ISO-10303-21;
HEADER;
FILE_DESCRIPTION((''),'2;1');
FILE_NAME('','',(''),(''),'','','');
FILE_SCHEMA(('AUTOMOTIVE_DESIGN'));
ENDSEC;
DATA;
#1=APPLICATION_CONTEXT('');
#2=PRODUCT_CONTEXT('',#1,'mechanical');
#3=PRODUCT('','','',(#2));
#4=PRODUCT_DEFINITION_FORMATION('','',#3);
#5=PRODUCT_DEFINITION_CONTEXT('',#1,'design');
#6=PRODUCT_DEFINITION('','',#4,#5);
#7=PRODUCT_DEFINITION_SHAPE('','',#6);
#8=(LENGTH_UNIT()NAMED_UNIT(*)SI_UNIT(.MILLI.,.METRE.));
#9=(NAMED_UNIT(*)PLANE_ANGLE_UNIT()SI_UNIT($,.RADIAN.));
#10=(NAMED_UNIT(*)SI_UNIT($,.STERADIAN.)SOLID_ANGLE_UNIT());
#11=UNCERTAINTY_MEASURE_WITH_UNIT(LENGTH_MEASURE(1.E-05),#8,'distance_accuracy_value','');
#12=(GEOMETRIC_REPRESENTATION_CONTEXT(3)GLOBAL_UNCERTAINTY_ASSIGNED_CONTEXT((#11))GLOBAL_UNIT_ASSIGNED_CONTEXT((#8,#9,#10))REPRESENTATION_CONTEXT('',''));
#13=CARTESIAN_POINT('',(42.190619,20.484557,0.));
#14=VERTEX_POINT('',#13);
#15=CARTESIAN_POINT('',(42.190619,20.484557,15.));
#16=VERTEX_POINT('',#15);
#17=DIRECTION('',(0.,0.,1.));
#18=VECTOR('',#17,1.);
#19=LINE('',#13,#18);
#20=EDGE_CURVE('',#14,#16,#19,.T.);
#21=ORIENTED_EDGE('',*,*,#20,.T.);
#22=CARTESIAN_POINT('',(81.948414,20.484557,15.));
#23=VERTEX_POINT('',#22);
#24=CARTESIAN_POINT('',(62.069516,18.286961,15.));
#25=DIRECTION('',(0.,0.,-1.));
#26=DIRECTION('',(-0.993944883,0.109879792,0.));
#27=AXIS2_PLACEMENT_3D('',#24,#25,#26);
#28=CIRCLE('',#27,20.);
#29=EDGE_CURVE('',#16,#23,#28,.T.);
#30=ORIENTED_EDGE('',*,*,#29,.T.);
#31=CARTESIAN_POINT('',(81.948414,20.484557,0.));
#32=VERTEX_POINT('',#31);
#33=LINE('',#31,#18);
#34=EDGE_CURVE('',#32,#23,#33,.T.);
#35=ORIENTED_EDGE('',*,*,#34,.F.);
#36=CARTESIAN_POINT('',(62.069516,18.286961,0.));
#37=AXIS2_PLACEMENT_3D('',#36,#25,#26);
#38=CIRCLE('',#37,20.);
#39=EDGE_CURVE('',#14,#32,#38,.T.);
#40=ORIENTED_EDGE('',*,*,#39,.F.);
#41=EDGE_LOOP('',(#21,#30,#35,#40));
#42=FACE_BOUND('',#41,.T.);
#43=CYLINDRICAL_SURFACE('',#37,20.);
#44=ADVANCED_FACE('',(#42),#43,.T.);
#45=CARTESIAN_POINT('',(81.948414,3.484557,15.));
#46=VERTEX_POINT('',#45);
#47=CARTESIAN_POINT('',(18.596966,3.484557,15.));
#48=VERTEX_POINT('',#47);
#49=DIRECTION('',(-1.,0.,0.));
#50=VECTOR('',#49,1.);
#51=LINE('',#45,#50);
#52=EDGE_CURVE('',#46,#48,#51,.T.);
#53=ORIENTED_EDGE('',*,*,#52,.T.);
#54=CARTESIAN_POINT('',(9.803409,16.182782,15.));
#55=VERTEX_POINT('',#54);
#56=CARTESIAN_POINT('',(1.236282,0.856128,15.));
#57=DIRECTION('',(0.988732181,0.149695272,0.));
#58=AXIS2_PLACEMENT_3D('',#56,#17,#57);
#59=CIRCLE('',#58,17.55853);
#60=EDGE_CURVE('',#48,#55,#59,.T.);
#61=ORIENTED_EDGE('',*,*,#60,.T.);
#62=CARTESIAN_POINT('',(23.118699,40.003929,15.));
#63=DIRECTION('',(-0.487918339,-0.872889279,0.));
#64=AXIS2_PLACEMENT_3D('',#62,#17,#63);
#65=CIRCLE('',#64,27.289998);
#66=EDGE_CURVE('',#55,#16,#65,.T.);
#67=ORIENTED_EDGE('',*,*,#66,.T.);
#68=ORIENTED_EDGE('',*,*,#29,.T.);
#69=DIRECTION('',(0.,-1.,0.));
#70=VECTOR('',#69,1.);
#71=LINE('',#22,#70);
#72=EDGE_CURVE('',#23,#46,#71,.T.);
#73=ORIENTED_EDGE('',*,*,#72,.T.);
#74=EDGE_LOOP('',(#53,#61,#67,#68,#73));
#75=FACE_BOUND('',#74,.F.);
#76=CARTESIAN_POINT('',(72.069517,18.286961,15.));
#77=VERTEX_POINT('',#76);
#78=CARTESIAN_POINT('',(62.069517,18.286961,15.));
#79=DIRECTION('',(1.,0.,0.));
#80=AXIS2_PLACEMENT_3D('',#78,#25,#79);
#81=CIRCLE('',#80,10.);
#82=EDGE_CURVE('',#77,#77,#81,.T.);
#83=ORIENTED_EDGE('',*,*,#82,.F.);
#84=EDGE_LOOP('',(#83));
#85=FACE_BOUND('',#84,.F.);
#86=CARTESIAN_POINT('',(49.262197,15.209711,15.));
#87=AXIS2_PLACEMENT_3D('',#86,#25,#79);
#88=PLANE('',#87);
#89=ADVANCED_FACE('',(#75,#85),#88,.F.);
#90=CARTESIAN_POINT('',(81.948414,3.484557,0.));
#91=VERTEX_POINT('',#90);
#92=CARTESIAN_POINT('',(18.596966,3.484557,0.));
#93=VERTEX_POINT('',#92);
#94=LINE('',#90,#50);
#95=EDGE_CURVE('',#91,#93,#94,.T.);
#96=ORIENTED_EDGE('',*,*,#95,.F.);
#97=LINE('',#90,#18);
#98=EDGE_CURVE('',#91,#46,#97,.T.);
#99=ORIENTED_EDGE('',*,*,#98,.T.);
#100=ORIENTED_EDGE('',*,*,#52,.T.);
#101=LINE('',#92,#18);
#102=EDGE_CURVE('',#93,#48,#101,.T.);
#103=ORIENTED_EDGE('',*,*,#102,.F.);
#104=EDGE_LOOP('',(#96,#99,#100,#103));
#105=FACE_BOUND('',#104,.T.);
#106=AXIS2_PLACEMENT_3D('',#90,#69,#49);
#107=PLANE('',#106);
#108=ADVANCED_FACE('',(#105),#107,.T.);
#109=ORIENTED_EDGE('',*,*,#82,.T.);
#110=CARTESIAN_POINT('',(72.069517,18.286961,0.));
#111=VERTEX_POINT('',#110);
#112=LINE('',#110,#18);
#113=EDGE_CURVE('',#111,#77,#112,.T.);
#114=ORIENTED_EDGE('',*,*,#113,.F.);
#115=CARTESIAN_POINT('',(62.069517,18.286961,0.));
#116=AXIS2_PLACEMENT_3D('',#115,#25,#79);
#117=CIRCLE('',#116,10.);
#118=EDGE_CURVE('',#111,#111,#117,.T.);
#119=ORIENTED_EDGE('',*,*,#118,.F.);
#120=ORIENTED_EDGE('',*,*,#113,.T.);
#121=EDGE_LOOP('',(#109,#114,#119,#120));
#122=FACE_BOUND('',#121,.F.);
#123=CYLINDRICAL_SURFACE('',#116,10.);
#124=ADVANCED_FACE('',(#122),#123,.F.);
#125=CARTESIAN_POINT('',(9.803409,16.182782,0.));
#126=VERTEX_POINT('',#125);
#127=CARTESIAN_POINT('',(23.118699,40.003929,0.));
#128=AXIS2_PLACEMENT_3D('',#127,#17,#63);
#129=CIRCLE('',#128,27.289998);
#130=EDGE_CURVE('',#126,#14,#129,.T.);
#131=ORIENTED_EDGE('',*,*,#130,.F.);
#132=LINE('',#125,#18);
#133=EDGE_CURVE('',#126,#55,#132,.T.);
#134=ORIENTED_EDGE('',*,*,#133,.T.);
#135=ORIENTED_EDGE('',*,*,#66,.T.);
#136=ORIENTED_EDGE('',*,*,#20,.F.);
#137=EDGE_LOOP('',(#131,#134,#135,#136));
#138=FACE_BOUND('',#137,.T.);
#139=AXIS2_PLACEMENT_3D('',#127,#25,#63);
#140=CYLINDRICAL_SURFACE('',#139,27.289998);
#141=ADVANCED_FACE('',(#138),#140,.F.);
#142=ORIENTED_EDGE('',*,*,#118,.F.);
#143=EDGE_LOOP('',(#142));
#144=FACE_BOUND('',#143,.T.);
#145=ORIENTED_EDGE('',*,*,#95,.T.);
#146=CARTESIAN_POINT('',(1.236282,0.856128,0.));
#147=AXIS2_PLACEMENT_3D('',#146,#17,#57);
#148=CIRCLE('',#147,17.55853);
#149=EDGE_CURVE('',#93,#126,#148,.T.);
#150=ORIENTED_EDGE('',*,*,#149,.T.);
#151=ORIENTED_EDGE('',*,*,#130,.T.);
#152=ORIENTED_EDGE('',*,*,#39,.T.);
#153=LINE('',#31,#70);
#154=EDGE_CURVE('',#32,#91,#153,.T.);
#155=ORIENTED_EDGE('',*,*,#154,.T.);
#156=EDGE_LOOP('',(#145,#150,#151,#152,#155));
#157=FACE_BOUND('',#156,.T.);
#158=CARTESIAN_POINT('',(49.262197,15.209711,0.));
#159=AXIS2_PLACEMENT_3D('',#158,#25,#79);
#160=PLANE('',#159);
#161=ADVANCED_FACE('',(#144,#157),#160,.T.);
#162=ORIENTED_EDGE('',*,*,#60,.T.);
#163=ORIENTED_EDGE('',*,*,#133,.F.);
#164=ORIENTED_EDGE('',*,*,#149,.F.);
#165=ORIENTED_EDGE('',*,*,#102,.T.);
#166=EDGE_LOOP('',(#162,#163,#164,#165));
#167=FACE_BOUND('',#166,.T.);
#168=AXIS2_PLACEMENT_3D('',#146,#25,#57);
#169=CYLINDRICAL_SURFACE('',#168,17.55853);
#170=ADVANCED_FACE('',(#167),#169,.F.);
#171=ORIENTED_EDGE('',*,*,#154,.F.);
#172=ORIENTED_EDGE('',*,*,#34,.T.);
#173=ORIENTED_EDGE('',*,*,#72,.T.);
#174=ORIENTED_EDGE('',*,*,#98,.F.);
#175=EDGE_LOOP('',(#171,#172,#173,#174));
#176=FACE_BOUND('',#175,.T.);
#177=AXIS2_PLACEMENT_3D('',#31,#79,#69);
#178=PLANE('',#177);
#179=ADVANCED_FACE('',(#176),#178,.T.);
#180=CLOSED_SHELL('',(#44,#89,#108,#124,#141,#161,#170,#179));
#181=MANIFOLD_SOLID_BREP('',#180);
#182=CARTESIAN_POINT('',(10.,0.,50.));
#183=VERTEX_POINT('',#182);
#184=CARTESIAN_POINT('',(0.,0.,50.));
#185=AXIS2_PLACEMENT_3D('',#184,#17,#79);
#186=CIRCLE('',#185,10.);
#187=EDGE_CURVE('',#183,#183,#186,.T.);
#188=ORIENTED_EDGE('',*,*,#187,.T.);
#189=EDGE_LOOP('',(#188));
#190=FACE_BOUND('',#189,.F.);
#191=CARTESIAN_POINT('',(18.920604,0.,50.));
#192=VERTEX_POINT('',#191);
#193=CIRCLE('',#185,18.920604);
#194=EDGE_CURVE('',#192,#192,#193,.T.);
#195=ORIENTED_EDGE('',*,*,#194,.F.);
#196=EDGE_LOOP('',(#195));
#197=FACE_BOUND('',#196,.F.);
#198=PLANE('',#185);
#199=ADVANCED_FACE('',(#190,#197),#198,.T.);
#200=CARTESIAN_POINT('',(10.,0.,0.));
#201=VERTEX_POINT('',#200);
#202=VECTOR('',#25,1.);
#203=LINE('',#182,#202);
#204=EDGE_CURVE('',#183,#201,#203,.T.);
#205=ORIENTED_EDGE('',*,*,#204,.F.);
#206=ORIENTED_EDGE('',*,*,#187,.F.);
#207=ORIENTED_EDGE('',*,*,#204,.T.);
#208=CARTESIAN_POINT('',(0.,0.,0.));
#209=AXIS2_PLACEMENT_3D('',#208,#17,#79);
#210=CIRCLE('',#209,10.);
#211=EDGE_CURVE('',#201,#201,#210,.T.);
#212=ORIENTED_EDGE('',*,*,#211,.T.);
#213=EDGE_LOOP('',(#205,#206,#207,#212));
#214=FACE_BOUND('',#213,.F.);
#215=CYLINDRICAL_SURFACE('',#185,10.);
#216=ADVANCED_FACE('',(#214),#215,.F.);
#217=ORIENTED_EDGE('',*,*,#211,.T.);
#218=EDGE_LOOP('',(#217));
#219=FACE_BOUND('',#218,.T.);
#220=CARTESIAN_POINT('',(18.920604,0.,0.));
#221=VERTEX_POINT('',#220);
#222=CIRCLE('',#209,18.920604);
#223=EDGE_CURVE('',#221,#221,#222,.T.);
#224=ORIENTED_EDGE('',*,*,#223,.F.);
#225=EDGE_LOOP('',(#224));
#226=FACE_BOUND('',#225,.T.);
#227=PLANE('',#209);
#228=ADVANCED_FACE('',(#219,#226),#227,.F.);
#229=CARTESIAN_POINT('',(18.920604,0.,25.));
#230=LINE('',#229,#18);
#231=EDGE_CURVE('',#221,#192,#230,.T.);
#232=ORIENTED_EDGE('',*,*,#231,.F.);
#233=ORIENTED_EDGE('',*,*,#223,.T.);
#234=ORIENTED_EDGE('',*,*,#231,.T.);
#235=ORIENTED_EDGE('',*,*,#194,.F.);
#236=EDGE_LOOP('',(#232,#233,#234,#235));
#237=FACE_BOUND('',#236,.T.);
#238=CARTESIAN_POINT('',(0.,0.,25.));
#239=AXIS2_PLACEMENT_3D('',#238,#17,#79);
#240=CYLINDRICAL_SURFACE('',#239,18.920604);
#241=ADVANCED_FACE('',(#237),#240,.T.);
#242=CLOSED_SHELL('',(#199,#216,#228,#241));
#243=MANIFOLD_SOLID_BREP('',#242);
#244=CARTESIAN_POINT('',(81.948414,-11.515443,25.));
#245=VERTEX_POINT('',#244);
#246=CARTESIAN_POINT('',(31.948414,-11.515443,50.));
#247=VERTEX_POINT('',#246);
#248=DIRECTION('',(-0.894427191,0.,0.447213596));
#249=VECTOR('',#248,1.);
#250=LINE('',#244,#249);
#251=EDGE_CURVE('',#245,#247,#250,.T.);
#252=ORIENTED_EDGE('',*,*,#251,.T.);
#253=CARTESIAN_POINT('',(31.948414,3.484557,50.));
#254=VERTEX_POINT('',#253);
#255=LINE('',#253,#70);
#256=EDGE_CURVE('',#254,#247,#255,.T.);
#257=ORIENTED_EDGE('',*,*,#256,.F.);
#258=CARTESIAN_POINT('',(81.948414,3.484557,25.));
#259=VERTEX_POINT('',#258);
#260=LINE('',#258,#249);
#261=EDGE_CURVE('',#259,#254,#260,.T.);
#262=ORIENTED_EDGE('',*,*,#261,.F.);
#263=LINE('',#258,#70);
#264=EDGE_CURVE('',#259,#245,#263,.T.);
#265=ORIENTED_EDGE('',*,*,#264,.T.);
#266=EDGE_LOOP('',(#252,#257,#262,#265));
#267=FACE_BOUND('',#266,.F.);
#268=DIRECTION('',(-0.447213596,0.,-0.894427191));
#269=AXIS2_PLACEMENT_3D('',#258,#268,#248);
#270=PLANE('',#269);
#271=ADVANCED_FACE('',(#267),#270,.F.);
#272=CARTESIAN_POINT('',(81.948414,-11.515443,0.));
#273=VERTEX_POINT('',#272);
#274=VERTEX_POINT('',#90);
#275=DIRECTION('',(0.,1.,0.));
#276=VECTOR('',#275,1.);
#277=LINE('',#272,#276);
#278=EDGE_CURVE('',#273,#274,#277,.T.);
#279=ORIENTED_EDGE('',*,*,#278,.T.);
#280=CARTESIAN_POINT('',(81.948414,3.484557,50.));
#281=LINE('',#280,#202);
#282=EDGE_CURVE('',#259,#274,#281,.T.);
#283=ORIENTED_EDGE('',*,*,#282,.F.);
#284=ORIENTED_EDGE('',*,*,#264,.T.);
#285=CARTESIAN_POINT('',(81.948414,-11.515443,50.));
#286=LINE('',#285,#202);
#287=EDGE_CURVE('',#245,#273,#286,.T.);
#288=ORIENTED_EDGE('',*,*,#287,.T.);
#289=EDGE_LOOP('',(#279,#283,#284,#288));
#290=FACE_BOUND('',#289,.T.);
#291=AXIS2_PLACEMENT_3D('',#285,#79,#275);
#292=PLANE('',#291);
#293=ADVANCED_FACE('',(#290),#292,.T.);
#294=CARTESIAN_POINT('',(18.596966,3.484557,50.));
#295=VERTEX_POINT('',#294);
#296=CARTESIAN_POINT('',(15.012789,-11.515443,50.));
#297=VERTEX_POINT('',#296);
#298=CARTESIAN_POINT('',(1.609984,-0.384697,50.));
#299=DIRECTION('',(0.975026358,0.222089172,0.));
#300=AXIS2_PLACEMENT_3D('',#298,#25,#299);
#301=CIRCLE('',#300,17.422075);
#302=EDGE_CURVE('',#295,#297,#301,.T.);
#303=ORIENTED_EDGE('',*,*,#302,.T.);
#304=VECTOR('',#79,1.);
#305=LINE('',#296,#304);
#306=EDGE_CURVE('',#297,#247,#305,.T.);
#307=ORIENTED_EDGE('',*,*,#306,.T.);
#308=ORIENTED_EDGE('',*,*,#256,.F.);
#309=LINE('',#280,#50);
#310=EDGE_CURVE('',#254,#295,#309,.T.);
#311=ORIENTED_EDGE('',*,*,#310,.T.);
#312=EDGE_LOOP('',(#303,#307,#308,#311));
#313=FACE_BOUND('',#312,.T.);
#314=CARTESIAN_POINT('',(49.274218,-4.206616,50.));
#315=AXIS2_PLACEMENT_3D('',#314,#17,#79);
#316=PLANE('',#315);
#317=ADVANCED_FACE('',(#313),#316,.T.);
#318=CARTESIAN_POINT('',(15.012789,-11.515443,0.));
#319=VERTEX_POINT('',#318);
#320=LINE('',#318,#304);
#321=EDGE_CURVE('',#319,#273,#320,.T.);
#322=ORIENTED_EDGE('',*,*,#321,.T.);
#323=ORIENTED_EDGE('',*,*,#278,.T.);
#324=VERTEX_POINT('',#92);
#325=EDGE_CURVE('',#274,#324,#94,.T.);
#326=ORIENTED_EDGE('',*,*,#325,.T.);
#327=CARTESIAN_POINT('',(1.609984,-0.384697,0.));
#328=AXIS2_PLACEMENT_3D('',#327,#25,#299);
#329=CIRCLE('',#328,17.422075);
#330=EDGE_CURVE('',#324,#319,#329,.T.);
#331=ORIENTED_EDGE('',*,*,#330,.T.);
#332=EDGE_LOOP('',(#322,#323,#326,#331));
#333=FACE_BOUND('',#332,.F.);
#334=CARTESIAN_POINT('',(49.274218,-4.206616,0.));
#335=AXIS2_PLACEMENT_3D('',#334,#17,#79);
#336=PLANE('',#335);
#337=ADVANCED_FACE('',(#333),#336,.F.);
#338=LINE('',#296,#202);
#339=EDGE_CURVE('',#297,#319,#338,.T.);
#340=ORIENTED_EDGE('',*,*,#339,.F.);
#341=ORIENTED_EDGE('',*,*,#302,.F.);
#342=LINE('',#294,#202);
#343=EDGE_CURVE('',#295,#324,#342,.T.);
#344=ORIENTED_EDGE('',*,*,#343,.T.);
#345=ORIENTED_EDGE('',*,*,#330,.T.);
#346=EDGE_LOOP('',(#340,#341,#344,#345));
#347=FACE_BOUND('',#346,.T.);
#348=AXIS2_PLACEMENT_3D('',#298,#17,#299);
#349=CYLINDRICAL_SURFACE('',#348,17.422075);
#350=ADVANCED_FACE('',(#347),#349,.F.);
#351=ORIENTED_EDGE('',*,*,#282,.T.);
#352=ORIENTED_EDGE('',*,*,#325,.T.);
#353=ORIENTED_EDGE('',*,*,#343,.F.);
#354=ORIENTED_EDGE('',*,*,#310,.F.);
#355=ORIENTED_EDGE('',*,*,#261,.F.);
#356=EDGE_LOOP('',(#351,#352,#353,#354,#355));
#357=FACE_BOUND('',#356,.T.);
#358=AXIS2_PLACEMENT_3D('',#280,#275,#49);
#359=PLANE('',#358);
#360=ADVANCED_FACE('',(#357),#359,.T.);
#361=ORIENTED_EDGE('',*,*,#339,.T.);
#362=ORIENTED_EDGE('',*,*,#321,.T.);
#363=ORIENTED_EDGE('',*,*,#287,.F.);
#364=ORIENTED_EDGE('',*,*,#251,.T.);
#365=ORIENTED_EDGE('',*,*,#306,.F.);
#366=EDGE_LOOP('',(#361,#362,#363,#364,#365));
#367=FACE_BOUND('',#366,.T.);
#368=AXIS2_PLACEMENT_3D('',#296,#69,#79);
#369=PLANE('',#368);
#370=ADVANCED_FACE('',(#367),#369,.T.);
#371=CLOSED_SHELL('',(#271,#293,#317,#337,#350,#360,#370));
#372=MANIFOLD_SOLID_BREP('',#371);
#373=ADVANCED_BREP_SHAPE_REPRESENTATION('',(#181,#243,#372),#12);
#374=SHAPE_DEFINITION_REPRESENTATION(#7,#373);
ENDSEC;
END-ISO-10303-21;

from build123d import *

# Parameters (mm, degrees)
F0_W      = 18.920604
F0_H      = 50
F2_R      = 10
F3_DEPTH  = 50
F5_DEPTH  = 50
F7_DEPTH  = 15
F9_DEPTH  = 15
F10_R     = 10
F11_DEPTH = 15


with BuildPart() as f1:
    # F0 (on Front) → F1 (revolve)
    with BuildSketch(Plane.XZ):
        with Locations((9.460302, 25)):
            Rectangle(F0_W, F0_H)
    revolve(axis=Axis((0, 0, 25), (0, 0, 1)))

    # F2 (on face) → F3 (cut)
    with BuildSketch(Plane.XY.offset(50)):
        Circle(F2_R)
    extrude(amount=-F3_DEPTH, mode=Mode.SUBTRACT)


with BuildPart() as f5:
    # F4 (on face) → F5 (new body)
    with BuildSketch(Plane.XY.offset(50)):
        with BuildLine():
            Line((81.948414, 3.484557), (18.596966, 3.484557))
            ThreePointArc((18.596966, 3.484557), (18.555036, -4.433635), (15.012789, -11.515443))
            Line((15.012789, -11.515443), (81.948414, -11.515443))
            Line((81.948414, -11.515443), (81.948414, 3.484557))
        make_face()
    extrude(amount=-F5_DEPTH)

    # F6 (on face) → F7 (cut)
    with BuildSketch(Plane(origin=(0, 3.484557, 0), x_dir=(-1, 0, 0), z_dir=(0, 1, 0))):
        Polygon((-81.948414, 25), (-31.948414, 50), (-81.948414, 50), align=None)
    extrude(amount=-F7_DEPTH, mode=Mode.SUBTRACT)


with BuildPart() as f9:
    # F8 (on face) → F9 (new body)
    with BuildSketch(Plane(origin=(0, 0, 0), x_dir=(1, 0, 0), z_dir=(0, 0, -1))):
        with BuildLine():
            ThreePointArc((18.596966, -3.484557), (15.67145, -10.852523), (9.803409, -16.182782))
            ThreePointArc((9.803409, -16.182782), (26.711889, -12.951517), (42.190619, -20.484557))
            ThreePointArc((42.190619, -20.484557), (62.069517, -38.286961), (81.948414, -20.484557))
            Line((81.948414, -20.484557), (81.948414, -3.484557))
            Line((81.948414, -3.484557), (18.596966, -3.484557))
        make_face()
    extrude(amount=-F9_DEPTH)

    # F10 (on face) → F11 (cut)
    with BuildSketch(Plane(origin=(0, 0, 0), x_dir=(1, 0, 0), z_dir=(0, 0, -1))):
        with Locations((62.069517, -18.286961)):
            Circle(F10_R)
    extrude(amount=-F11_DEPTH, mode=Mode.SUBTRACT)


solid = Compound([f1.part, f5.part, f9.part])
